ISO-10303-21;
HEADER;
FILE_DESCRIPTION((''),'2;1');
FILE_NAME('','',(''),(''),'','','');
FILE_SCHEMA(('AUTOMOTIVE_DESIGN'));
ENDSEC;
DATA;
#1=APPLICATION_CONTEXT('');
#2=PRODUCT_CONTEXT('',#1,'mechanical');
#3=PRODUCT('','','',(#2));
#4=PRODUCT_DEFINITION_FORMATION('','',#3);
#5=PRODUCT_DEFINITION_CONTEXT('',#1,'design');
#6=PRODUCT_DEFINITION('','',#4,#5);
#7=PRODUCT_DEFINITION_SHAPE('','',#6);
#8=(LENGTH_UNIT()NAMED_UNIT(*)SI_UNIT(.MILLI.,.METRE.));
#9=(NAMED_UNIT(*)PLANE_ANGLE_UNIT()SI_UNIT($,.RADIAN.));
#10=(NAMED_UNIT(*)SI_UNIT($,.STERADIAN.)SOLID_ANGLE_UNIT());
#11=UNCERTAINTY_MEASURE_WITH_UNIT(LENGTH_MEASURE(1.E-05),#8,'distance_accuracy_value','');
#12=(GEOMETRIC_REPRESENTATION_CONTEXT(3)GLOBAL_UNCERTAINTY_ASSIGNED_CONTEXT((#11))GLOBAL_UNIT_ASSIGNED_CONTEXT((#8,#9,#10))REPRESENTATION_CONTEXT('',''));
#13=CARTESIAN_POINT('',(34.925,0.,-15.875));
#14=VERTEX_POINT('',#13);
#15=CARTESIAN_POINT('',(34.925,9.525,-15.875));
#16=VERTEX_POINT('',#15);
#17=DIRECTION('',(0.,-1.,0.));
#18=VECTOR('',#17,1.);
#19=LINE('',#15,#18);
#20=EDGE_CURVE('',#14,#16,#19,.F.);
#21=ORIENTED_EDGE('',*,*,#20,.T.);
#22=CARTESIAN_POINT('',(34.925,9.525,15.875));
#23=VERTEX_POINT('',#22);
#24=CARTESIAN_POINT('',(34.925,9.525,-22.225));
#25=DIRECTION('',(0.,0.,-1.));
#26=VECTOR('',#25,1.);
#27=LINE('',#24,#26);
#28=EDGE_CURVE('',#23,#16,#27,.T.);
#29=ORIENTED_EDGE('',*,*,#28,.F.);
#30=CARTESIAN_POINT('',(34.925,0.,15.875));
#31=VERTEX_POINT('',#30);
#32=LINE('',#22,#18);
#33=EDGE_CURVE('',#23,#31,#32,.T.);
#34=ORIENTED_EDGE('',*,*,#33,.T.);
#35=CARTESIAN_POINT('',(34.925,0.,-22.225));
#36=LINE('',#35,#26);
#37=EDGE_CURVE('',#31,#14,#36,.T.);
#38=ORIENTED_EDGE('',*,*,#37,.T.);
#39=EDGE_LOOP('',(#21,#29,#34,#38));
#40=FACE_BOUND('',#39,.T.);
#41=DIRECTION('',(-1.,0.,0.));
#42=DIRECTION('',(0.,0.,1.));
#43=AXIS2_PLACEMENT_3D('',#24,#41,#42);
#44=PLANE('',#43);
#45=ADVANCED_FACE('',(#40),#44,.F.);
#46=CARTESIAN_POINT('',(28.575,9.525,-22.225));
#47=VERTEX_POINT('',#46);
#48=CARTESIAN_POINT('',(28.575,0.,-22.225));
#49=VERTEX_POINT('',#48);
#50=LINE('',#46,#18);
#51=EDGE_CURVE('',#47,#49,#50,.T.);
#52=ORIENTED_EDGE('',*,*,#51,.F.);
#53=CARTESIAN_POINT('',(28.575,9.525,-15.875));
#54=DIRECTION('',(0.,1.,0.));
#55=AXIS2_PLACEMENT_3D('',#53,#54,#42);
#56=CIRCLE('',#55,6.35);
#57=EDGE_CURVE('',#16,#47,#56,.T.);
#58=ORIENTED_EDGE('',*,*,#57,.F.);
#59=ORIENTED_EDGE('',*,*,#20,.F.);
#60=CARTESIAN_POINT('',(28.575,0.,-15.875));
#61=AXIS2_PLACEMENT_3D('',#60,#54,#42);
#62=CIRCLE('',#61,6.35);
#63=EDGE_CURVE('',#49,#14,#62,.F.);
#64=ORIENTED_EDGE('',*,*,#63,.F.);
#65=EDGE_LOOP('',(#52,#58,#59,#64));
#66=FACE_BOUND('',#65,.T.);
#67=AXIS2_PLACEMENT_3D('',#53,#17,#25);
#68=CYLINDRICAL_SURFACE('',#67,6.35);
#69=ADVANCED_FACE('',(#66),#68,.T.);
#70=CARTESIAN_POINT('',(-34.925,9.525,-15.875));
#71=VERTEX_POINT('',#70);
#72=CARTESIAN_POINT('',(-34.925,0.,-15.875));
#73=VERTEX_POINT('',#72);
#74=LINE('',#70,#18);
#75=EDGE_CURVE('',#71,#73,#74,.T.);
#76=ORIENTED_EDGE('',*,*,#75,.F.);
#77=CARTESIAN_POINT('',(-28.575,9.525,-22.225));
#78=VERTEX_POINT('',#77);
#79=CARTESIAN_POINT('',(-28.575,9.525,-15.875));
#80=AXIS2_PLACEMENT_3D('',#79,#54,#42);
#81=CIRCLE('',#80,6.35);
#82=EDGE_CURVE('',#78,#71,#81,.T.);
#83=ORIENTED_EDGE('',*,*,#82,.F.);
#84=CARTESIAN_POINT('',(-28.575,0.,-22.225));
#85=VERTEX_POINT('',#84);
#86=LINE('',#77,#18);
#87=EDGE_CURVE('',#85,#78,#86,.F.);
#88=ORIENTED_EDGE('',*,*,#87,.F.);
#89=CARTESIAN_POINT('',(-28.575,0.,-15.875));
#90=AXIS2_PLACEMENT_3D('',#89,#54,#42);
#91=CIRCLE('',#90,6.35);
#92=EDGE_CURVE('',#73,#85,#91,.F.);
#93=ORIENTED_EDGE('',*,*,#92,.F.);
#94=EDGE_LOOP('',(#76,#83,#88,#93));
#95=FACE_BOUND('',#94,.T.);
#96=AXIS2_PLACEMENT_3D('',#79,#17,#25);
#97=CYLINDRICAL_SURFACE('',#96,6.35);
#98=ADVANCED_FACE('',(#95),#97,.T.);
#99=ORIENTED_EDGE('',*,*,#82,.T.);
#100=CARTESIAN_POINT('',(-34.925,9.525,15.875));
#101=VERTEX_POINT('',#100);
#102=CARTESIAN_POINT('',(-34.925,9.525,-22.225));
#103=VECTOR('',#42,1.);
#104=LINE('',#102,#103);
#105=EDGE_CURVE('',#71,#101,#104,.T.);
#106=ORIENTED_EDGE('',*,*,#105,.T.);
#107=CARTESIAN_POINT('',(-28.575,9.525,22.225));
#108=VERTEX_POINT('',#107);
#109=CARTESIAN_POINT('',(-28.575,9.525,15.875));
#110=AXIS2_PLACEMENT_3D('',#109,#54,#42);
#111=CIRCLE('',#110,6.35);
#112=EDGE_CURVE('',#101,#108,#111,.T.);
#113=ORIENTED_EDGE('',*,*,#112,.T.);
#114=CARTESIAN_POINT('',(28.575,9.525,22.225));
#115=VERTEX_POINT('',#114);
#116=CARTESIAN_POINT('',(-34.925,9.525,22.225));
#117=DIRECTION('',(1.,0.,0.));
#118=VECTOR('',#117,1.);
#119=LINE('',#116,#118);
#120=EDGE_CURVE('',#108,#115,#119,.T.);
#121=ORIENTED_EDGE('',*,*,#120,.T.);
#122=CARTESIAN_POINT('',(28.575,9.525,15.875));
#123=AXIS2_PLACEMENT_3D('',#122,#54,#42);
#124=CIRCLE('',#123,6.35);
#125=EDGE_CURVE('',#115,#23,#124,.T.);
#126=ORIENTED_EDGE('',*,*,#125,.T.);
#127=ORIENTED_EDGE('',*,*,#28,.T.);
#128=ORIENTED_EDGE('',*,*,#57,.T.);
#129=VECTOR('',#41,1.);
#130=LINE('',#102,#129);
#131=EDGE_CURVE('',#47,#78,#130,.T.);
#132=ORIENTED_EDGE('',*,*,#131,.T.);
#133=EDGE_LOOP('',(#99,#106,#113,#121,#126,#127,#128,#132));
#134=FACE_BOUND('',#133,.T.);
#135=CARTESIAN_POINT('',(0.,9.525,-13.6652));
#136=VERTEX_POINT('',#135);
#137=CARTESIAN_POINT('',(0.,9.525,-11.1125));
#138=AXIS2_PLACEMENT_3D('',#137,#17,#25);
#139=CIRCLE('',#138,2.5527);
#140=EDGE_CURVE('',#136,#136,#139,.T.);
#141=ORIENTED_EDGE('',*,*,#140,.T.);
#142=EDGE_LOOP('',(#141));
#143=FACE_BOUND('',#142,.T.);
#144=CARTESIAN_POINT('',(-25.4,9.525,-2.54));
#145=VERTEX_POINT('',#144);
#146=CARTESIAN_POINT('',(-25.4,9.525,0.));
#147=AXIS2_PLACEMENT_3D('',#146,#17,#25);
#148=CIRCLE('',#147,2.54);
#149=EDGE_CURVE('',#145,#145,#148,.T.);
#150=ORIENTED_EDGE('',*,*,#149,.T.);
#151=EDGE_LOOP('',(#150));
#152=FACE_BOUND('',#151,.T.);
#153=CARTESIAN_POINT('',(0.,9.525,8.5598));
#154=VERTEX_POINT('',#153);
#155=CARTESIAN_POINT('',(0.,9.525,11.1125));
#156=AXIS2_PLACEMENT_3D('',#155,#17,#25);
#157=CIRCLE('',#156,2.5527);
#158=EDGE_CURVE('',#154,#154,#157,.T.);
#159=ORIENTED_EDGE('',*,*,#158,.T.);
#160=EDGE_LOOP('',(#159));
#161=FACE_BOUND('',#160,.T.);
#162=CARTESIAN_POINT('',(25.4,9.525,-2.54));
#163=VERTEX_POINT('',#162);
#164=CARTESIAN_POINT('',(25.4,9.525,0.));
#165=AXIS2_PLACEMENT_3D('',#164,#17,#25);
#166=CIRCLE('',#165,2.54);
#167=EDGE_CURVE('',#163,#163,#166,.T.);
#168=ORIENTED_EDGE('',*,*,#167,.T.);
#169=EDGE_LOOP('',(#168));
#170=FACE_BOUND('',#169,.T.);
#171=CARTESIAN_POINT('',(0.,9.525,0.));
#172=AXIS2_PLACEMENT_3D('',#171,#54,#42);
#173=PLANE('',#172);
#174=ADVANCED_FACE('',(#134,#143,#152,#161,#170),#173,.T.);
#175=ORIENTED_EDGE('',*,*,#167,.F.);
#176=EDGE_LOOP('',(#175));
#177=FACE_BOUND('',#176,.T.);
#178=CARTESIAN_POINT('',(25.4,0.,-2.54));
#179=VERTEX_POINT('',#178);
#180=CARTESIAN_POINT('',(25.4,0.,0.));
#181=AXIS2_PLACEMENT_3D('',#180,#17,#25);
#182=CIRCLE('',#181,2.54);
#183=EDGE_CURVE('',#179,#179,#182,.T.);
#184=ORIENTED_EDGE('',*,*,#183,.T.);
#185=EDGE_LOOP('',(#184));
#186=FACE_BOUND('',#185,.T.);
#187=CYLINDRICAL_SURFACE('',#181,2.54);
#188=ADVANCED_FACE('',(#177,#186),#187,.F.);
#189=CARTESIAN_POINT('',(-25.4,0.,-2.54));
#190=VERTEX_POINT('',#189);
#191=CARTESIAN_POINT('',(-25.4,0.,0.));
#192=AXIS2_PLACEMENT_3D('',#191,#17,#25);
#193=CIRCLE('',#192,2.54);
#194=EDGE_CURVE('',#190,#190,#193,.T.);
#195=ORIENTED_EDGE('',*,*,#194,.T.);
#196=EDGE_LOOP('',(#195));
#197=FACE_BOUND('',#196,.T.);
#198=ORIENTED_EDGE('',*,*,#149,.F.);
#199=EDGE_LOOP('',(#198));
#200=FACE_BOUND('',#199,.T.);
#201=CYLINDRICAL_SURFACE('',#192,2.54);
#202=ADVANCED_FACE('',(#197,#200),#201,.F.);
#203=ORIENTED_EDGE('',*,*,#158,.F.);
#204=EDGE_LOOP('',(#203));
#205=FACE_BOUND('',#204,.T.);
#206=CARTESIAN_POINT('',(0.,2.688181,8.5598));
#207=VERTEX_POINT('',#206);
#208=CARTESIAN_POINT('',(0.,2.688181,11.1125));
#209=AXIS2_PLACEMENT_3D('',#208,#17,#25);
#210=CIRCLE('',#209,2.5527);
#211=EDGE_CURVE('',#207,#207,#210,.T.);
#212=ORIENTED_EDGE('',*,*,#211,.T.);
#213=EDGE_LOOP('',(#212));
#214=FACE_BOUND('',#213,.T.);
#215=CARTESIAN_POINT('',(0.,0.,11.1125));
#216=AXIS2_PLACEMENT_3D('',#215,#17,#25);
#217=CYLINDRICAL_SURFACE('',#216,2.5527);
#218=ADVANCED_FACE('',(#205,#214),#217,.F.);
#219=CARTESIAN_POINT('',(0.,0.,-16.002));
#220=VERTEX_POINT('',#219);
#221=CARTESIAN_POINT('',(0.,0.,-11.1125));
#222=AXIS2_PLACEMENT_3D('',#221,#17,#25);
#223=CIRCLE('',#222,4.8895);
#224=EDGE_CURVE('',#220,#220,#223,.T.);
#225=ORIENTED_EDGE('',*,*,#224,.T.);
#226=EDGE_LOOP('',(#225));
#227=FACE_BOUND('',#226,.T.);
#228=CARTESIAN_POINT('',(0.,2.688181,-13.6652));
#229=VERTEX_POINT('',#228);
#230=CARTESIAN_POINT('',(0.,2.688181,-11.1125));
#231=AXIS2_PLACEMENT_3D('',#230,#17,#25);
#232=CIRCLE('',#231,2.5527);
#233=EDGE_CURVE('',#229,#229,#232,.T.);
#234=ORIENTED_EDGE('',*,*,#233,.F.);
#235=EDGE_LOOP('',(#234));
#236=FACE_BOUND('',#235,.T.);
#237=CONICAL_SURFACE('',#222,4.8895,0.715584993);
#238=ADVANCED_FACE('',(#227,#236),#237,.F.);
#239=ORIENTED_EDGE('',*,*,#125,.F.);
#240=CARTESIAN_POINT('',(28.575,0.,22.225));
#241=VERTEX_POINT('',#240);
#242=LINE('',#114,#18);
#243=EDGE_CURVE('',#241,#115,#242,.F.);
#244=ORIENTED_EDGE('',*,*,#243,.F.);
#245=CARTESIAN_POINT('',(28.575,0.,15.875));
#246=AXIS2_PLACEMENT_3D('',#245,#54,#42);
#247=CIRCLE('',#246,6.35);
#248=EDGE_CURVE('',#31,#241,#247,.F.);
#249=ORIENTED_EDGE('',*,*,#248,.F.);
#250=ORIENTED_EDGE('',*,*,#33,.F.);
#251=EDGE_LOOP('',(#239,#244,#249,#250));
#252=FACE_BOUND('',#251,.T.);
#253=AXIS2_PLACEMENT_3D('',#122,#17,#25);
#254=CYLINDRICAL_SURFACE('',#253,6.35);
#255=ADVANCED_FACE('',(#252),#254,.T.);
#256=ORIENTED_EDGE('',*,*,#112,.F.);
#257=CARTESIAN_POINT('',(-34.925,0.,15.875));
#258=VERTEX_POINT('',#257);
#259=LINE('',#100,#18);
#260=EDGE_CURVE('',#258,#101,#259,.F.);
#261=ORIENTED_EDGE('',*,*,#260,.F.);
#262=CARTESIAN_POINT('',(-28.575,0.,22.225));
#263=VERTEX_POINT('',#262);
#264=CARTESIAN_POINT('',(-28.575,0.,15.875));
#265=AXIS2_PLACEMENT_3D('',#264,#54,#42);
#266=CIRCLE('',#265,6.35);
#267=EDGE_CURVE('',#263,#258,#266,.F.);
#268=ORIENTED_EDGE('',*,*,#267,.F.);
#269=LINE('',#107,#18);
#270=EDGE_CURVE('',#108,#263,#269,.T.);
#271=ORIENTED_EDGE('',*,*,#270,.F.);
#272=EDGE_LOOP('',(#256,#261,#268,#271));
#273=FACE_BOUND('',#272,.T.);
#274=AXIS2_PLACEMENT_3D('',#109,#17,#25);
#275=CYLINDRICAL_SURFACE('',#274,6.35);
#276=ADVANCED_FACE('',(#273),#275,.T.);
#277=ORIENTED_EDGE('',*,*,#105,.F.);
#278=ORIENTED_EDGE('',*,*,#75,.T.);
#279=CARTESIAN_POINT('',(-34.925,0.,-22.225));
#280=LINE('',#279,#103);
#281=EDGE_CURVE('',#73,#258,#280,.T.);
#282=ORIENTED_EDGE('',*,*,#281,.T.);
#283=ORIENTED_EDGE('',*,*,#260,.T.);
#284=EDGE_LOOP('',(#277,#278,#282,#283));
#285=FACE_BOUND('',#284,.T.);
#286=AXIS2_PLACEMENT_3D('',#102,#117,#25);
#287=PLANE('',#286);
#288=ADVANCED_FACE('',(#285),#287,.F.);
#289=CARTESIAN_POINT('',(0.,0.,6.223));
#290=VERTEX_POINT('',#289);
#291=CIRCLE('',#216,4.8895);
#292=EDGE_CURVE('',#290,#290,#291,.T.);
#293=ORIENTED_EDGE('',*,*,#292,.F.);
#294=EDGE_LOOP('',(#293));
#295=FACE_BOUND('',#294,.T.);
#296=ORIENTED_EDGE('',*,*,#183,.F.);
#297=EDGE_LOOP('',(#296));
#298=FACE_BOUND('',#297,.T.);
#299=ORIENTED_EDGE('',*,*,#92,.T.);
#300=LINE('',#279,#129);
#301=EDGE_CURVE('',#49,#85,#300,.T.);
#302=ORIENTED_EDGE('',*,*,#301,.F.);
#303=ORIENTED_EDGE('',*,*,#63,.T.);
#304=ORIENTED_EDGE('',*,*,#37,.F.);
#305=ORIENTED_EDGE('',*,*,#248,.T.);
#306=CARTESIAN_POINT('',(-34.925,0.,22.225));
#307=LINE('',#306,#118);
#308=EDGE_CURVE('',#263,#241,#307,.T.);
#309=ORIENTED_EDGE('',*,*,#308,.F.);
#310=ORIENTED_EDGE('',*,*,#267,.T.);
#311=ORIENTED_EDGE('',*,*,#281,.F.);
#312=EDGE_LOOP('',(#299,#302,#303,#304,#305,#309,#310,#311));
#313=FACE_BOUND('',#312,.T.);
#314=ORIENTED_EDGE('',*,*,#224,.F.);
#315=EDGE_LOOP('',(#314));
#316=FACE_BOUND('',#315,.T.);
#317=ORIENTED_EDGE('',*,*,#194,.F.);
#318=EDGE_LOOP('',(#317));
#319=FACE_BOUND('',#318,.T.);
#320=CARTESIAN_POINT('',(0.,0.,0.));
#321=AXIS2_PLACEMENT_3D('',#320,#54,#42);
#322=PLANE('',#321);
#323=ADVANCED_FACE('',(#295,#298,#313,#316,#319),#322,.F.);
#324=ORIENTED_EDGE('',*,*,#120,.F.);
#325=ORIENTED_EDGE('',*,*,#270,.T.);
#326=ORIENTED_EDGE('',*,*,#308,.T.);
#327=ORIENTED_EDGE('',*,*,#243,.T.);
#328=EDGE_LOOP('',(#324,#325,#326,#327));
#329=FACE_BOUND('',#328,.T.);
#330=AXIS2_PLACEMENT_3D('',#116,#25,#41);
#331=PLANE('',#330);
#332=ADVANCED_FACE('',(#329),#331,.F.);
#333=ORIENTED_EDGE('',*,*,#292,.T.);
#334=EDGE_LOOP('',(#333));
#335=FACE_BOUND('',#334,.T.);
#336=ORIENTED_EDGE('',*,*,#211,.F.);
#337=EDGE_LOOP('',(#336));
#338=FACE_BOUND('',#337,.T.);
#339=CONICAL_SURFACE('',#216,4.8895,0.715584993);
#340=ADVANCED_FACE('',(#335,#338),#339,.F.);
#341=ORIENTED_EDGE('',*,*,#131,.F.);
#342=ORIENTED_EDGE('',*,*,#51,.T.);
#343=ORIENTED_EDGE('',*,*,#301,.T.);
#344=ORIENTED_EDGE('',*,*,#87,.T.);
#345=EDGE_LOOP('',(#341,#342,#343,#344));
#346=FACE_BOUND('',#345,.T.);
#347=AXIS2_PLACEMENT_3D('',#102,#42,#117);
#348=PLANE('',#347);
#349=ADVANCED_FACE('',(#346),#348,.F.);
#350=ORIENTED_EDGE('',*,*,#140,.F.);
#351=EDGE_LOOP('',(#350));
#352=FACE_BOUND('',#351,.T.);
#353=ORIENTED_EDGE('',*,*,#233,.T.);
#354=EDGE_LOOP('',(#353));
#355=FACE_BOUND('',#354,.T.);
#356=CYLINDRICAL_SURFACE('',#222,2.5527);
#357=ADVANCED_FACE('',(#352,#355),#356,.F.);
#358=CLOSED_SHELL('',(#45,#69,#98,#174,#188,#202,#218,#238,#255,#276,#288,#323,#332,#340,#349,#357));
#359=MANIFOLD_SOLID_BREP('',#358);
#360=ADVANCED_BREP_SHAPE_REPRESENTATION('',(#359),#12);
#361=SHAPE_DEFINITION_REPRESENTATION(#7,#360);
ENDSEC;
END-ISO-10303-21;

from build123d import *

# Parameters (mm, degrees)
SKETCH1_W                                          = 69.85
SKETCH1_H                                          = 44.45
BOSS_EXTRUDE1_DEPTH                                = 9.525
CSK_FOR_10_FLAT_HEAD_MACHINE_SCREW_100_D           = 5.1054
CSK_FOR_10_FLAT_HEAD_MACHINE_SCREW_100_CSINK_D     = 9.779
CSK_FOR_10_FLAT_HEAD_MACHINE_SCREW_100_CSINK_ANGLE = 82
F_10_0_2_DIAMETER_HOLE1_D                          = 5.08
FILLET4_R                                          = 6.35


with BuildPart() as part:
    # Sketch1 → Boss-Extrude1 (new body)
    with BuildSketch(Plane(origin=(0, 0, 0), x_dir=(1, 0, 0), z_dir=(0, 1, 0))):
        Rectangle(SKETCH1_W, SKETCH1_H)
    extrude(amount=BOSS_EXTRUDE1_DEPTH)

    # CSK for #10 Flat Head Machine Screw (100)1 (through all)
    with Locations(Plane(origin=(0, 0, 0), x_dir=(-1, 0, 0), z_dir=(0, -1, 0))):
        with Locations((0, 11.1125), (0, -11.1125)):
            CounterSinkHole(CSK_FOR_10_FLAT_HEAD_MACHINE_SCREW_100_D / 2, CSK_FOR_10_FLAT_HEAD_MACHINE_SCREW_100_CSINK_D / 2, counter_sink_angle=CSK_FOR_10_FLAT_HEAD_MACHINE_SCREW_100_CSINK_ANGLE)

    # #10 (0.2) Diameter Hole1 (through all)
    with Locations(Plane(origin=(0, 0, 0), x_dir=(-1, 0, 0), z_dir=(0, -1, 0))):
        with Locations((-25.4, 0)):
            f_10_0_2_diameter_hole1 = Hole(F_10_0_2_DIAMETER_HOLE1_D / 2)

    # Mirror1: #10 (0.2) Diameter Hole1 across plane
    add(f_10_0_2_diameter_hole1.mirror(Plane(origin=(0, 0, 0), x_dir=(0, 0, 1), z_dir=(1, 0, 0))), mode=Mode.SUBTRACT)

    # Fillet4
    fillet4_edges = [part.edges().sort_by_distance(p)[0] for p in [
        (34.925, 4.7625, 22.225),
        (-34.925, 4.7625, 22.225),
        (-34.925, 4.7625, -22.225),
        (34.925, 4.7625, -22.225),
    ]]
    fillet(fillet4_edges, radius=FILLET4_R)


solid = part.part
